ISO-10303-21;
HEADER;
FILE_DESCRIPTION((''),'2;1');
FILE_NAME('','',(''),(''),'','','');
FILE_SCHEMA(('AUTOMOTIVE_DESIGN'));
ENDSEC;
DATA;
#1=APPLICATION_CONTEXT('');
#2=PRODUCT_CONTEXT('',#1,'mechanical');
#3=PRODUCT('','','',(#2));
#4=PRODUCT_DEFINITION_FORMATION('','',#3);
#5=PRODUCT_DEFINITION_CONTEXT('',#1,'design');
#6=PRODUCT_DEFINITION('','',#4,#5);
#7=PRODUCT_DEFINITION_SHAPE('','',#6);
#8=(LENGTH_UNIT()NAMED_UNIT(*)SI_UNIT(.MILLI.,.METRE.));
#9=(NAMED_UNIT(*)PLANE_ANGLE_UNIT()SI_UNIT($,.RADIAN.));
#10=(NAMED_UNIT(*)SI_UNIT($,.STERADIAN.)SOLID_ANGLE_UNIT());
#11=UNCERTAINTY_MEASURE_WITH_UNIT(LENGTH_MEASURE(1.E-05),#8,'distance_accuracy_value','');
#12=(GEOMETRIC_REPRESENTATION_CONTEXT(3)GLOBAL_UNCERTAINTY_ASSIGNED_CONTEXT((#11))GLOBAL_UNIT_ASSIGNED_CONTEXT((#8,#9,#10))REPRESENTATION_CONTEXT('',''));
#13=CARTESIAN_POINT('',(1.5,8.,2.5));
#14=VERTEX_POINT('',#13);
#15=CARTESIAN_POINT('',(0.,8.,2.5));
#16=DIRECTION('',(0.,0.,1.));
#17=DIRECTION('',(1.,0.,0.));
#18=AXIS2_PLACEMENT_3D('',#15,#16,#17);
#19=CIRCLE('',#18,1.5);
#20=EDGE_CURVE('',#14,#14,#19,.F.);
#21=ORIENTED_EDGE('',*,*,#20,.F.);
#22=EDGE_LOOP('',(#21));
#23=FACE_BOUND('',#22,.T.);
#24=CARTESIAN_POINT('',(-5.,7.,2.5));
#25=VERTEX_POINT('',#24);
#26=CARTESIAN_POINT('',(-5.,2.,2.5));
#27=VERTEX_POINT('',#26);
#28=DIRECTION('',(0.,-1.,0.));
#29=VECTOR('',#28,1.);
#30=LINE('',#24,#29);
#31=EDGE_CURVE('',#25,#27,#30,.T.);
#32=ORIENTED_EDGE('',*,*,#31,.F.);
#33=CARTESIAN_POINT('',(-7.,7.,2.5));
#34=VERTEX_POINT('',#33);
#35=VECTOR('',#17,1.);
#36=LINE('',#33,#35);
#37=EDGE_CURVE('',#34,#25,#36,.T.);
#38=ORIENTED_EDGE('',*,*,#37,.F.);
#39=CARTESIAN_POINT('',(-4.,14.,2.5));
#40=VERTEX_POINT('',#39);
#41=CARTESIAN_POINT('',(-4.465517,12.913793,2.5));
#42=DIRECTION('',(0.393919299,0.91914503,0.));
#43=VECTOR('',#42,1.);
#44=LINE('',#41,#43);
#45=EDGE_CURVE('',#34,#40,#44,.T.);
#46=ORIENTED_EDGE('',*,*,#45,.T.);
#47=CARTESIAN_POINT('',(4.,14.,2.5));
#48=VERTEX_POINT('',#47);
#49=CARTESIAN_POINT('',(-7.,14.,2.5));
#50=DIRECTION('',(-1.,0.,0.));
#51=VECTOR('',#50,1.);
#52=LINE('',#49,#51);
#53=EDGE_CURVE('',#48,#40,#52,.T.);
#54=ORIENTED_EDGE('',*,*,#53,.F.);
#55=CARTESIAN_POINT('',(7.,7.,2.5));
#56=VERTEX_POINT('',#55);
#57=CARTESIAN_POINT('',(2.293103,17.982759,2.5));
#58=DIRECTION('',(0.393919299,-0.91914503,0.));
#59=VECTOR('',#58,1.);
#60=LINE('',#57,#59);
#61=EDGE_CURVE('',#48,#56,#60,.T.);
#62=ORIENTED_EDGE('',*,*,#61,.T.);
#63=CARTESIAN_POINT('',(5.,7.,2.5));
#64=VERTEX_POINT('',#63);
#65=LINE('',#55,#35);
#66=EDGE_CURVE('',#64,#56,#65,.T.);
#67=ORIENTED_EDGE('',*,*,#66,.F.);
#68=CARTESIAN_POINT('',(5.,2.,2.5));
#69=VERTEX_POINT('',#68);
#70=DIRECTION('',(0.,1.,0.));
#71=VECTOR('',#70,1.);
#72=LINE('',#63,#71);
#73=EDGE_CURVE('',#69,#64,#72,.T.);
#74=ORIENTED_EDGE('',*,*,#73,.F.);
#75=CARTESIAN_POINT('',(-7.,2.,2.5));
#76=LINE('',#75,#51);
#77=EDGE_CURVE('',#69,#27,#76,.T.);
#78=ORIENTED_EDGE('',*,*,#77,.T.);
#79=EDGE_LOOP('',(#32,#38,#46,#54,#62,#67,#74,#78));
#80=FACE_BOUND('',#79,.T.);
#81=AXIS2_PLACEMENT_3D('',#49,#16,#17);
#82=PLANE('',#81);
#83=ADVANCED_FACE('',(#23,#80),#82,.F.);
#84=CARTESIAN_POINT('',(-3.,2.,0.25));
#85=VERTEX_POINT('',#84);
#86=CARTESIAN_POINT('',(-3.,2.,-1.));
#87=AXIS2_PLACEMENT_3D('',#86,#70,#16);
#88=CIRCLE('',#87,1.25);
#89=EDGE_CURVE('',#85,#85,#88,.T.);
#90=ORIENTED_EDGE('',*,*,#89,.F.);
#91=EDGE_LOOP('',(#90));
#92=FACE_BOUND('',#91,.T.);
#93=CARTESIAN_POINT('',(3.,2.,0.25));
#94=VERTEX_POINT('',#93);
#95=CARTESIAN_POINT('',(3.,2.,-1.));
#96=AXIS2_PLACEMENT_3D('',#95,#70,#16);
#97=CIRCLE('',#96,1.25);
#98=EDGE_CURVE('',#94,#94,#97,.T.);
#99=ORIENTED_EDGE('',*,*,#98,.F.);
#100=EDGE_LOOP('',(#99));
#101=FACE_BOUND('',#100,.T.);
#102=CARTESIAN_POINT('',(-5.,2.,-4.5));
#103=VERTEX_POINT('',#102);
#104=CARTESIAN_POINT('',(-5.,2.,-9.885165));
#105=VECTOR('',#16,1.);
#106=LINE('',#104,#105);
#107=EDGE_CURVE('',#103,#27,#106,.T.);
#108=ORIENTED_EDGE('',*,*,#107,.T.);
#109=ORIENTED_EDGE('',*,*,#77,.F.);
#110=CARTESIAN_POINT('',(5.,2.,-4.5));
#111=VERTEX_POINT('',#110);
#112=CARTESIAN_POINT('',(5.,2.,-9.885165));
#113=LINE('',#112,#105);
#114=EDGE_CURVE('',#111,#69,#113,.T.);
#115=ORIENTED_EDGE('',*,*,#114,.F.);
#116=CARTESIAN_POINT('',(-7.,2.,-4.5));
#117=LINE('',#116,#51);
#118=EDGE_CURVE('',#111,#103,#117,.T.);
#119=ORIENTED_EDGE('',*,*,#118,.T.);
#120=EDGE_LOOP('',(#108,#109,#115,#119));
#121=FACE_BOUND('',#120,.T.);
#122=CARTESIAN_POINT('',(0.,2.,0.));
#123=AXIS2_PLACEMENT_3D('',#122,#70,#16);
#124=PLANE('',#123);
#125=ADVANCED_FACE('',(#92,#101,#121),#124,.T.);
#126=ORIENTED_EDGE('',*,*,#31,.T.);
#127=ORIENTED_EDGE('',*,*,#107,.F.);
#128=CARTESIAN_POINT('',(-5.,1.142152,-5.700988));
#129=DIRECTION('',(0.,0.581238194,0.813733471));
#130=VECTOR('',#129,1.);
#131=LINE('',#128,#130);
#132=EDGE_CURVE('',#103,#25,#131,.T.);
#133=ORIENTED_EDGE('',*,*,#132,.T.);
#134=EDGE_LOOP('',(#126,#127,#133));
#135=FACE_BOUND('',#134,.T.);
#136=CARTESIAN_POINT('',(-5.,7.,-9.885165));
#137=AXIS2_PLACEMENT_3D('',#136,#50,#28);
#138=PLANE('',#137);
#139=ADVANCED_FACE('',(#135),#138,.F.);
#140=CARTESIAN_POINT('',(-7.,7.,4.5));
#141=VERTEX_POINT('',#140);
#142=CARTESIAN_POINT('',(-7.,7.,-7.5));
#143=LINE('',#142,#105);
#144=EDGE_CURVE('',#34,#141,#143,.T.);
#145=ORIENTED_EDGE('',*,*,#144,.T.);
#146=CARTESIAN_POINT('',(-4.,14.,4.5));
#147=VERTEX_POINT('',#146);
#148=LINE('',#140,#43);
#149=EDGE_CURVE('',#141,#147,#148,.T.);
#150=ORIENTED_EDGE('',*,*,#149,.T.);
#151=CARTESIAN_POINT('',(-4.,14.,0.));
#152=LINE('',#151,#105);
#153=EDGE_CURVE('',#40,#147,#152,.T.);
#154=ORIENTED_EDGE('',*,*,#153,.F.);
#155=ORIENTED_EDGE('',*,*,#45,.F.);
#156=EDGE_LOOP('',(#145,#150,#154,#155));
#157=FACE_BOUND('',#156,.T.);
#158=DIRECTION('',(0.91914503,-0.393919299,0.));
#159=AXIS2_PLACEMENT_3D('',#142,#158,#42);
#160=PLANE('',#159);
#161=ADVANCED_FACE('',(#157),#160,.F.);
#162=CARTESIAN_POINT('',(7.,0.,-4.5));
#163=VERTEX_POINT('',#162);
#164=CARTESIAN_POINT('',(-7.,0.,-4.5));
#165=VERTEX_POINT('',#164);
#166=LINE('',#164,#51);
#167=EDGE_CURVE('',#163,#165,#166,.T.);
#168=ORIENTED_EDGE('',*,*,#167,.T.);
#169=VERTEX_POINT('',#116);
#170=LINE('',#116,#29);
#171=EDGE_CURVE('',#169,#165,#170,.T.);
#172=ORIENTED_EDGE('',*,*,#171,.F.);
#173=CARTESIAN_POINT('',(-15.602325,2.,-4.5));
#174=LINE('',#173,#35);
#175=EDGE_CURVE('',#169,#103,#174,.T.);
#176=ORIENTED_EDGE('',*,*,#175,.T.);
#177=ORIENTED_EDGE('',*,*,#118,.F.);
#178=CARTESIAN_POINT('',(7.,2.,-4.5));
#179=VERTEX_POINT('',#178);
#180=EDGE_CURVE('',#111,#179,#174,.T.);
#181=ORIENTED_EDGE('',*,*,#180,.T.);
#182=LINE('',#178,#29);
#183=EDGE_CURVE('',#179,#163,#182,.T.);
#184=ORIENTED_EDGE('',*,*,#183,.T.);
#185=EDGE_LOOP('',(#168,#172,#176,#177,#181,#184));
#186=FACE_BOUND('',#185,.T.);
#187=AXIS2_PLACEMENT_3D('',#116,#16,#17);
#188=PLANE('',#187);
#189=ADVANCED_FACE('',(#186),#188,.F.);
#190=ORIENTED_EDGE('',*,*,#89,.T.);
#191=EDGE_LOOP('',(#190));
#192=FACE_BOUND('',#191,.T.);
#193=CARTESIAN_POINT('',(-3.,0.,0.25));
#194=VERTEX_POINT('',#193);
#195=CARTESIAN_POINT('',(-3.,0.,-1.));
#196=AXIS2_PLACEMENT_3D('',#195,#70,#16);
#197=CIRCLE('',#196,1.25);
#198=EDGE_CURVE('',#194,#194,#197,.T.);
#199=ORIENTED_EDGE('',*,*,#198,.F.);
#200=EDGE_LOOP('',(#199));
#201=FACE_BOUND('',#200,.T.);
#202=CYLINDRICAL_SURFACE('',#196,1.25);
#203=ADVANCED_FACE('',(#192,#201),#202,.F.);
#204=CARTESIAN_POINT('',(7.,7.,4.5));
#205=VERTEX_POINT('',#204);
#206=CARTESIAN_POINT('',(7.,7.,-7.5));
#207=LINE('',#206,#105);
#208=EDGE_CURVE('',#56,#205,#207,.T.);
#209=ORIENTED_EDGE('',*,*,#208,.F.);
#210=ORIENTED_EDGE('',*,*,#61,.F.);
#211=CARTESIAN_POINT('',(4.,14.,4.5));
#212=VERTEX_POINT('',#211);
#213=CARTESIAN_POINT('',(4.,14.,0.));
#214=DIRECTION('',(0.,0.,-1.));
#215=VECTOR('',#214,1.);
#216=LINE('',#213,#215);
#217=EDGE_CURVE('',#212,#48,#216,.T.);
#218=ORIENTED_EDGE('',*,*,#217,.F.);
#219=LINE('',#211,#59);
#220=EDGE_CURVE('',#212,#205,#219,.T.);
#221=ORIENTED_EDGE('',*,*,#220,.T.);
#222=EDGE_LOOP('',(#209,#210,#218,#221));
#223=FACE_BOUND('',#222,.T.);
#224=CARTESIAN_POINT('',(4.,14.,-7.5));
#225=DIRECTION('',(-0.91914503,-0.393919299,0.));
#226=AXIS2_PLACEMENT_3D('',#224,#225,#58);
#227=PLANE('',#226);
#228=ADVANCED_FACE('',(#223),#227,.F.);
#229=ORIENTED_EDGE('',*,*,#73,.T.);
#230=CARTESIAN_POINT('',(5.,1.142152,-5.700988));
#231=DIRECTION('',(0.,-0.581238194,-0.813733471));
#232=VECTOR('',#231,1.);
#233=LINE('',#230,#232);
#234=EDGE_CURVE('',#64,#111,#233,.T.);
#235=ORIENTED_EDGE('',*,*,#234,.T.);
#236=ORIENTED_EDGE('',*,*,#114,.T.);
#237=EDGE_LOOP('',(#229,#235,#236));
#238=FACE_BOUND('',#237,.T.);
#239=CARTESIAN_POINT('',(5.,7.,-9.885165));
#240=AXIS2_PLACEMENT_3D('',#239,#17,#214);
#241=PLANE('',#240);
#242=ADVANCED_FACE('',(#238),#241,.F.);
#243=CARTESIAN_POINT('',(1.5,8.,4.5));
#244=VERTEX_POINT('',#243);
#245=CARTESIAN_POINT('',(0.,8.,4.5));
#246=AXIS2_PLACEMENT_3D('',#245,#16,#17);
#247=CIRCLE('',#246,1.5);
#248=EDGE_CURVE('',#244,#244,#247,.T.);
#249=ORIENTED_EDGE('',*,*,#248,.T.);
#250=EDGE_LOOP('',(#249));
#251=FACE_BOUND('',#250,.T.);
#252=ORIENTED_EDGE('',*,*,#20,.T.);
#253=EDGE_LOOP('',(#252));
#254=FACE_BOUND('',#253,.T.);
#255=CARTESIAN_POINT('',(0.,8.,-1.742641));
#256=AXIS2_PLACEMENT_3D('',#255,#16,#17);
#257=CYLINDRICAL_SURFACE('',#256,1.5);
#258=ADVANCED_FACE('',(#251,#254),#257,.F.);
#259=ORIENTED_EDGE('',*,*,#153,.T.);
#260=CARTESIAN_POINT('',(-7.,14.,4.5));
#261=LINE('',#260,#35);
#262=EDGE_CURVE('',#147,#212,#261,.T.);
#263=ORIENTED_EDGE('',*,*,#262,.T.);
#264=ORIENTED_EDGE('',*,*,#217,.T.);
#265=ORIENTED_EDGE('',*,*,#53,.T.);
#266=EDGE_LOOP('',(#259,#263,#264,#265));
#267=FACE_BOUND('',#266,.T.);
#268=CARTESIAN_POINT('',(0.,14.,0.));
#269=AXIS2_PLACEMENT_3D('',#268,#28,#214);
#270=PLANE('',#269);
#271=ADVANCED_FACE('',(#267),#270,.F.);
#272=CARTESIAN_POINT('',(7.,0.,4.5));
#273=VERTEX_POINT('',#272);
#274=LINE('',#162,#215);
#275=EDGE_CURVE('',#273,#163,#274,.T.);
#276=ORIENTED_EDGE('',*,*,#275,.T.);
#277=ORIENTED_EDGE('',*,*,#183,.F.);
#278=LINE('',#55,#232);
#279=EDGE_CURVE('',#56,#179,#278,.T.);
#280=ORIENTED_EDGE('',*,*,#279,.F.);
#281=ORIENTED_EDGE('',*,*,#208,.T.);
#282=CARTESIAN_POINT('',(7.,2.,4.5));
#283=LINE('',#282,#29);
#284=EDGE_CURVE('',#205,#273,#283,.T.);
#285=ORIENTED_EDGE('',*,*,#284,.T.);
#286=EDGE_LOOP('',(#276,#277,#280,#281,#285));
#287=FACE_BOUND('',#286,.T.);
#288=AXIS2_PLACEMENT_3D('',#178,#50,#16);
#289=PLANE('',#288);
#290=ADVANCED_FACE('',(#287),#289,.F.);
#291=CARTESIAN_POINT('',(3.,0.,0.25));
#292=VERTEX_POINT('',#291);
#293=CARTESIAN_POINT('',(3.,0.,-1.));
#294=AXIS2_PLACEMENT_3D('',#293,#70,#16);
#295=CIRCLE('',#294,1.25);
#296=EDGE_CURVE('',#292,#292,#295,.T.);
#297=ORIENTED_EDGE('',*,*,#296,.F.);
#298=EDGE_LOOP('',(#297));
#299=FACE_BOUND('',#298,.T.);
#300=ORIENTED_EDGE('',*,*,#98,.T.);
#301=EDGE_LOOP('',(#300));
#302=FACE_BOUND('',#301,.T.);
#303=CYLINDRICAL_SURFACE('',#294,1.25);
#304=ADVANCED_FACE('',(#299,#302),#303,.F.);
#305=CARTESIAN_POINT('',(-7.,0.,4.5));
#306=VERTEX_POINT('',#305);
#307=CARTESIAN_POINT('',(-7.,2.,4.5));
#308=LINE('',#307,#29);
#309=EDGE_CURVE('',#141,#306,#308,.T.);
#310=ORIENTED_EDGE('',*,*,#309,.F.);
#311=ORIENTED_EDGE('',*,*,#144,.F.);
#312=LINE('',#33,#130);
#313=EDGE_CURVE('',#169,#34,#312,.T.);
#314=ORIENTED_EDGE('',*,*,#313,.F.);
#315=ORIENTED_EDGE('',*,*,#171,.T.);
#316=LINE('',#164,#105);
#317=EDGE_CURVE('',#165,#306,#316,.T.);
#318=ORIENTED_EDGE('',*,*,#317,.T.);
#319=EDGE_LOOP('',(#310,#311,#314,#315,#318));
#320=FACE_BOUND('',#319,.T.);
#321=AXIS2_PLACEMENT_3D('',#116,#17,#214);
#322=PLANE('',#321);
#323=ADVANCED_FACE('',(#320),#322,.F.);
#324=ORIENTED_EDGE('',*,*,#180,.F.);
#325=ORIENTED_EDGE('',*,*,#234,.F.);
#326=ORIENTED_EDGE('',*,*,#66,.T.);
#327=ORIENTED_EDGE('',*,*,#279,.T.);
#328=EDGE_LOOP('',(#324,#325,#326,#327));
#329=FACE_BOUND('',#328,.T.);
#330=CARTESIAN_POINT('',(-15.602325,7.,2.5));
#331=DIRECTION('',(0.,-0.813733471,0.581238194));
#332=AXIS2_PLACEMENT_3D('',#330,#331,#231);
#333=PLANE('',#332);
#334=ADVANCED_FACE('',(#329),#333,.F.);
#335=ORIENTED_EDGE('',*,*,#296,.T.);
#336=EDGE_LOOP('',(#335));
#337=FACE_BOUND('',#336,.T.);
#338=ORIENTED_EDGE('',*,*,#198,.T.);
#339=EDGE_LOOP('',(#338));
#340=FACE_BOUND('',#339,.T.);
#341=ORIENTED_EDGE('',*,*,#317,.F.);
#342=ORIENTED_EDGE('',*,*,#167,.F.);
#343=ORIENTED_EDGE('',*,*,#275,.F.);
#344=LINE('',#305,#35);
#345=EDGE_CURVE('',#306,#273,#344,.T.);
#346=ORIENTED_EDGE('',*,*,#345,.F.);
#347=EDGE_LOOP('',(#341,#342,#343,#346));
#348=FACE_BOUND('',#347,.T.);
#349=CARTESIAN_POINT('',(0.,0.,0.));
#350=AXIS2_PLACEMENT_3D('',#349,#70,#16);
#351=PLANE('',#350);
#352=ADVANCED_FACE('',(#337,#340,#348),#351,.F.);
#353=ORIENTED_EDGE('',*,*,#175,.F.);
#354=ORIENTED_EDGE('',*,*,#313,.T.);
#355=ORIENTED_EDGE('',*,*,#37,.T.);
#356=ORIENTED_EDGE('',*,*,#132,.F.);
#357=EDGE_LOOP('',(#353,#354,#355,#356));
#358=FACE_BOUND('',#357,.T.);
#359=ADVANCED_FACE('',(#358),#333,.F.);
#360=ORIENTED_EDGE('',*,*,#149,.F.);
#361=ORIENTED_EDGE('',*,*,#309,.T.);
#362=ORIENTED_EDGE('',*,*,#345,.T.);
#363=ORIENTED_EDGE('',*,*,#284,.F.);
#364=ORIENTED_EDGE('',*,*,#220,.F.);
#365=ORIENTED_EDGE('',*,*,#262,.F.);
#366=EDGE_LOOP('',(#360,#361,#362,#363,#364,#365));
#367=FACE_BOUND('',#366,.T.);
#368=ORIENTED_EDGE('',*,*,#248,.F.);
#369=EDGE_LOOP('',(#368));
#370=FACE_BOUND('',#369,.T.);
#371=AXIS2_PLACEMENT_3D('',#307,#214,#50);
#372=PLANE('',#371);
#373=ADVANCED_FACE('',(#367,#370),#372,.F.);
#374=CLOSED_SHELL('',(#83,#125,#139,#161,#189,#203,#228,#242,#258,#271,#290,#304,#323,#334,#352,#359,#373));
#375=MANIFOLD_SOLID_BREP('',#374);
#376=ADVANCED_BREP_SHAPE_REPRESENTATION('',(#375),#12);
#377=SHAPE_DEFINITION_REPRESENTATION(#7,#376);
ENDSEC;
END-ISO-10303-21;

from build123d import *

# Parameters (mm, degrees)
SKETCH1_W           = 14
SKETCH1_H           = 9
BOSS_EXTRUDE1_DEPTH = 2
SKETCH2_R           = 1.25
CUT_EXTRUDE1_DEPTH  = 2
SKETCH3_W           = 14
SKETCH3_H           = 2
BOSS_EXTRUDE2_DEPTH = 12
CUT_EXTRUDE2_DEPTH  = 12
SKETCH5_W           = 2
SKETCH5_H           = 5
BOSS_EXTRUDE3_DEPTH = 7
CUT_EXTRUDE3_DEPTH  = 14
SKETCH7_R           = 1.5
CUT_EXTRUDE4_DEPTH  = 2


with BuildPart() as part:
    # Sketch1 → Boss-Extrude1 (new body)
    with BuildSketch(Plane(origin=(0, 0, 0), x_dir=(1, 0, 0), z_dir=(0, 1, 0))):
        Rectangle(SKETCH1_W, SKETCH1_H)
    extrude(amount=BOSS_EXTRUDE1_DEPTH)

    # Sketch2 → Cut-Extrude1 (cut)
    with BuildSketch(Plane(origin=(0, 2, 0), x_dir=(1, 0, 0), z_dir=(0, 1, 0))):
        with Locations((-3, 1)):
            Circle(SKETCH2_R)
        with Locations((3, 1)):
            Circle(SKETCH2_R)
    extrude(amount=-CUT_EXTRUDE1_DEPTH, mode=Mode.SUBTRACT)

    # Sketch3 → Boss-Extrude2 (add)
    with BuildSketch(Plane(origin=(0, 2, 0), x_dir=(1, 0, 0), z_dir=(0, 1, 0))):
        with Locations((0, -3.5)):
            Rectangle(SKETCH3_W, SKETCH3_H)
    extrude(amount=BOSS_EXTRUDE2_DEPTH)

    # Sketch4 → Cut-Extrude2 (cut)
    with BuildSketch(Plane.XY.offset(4.5)):
        Polygon((-7, 7), (-4, 14), (-7, 14), align=None)
        Polygon((4, 14), (7, 7), (7, 14), align=None)
    extrude(amount=-CUT_EXTRUDE2_DEPTH, mode=Mode.SUBTRACT)

    # Sketch5 → Boss-Extrude3 (add)
    with BuildSketch(Plane(origin=(0, 0, 2.5), x_dir=(-1, 0, 0), z_dir=(0, 0, -1))):
        with Locations((-6, 4.5)):
            Rectangle(SKETCH5_W, SKETCH5_H)
        with Locations((6, 4.5)):
            Rectangle(SKETCH5_W, SKETCH5_H)
    extrude(amount=BOSS_EXTRUDE3_DEPTH)

    # Sketch6 → Cut-Extrude3 (cut)
    with BuildSketch(Plane(origin=(7, 0, 0), x_dir=(0, 0, -1), z_dir=(1, 0, 0))):
        Polygon((-2.5, 7), (4.5, 2), (4.5, 7), align=None)
    extrude(amount=-CUT_EXTRUDE3_DEPTH, mode=Mode.SUBTRACT)

    # Sketch7 → Cut-Extrude4 (cut)
    with BuildSketch(Plane.XY.offset(4.5)):
        with Locations((0, 8)):
            Circle(SKETCH7_R)
    extrude(amount=-CUT_EXTRUDE4_DEPTH, mode=Mode.SUBTRACT)


solid = part.part
